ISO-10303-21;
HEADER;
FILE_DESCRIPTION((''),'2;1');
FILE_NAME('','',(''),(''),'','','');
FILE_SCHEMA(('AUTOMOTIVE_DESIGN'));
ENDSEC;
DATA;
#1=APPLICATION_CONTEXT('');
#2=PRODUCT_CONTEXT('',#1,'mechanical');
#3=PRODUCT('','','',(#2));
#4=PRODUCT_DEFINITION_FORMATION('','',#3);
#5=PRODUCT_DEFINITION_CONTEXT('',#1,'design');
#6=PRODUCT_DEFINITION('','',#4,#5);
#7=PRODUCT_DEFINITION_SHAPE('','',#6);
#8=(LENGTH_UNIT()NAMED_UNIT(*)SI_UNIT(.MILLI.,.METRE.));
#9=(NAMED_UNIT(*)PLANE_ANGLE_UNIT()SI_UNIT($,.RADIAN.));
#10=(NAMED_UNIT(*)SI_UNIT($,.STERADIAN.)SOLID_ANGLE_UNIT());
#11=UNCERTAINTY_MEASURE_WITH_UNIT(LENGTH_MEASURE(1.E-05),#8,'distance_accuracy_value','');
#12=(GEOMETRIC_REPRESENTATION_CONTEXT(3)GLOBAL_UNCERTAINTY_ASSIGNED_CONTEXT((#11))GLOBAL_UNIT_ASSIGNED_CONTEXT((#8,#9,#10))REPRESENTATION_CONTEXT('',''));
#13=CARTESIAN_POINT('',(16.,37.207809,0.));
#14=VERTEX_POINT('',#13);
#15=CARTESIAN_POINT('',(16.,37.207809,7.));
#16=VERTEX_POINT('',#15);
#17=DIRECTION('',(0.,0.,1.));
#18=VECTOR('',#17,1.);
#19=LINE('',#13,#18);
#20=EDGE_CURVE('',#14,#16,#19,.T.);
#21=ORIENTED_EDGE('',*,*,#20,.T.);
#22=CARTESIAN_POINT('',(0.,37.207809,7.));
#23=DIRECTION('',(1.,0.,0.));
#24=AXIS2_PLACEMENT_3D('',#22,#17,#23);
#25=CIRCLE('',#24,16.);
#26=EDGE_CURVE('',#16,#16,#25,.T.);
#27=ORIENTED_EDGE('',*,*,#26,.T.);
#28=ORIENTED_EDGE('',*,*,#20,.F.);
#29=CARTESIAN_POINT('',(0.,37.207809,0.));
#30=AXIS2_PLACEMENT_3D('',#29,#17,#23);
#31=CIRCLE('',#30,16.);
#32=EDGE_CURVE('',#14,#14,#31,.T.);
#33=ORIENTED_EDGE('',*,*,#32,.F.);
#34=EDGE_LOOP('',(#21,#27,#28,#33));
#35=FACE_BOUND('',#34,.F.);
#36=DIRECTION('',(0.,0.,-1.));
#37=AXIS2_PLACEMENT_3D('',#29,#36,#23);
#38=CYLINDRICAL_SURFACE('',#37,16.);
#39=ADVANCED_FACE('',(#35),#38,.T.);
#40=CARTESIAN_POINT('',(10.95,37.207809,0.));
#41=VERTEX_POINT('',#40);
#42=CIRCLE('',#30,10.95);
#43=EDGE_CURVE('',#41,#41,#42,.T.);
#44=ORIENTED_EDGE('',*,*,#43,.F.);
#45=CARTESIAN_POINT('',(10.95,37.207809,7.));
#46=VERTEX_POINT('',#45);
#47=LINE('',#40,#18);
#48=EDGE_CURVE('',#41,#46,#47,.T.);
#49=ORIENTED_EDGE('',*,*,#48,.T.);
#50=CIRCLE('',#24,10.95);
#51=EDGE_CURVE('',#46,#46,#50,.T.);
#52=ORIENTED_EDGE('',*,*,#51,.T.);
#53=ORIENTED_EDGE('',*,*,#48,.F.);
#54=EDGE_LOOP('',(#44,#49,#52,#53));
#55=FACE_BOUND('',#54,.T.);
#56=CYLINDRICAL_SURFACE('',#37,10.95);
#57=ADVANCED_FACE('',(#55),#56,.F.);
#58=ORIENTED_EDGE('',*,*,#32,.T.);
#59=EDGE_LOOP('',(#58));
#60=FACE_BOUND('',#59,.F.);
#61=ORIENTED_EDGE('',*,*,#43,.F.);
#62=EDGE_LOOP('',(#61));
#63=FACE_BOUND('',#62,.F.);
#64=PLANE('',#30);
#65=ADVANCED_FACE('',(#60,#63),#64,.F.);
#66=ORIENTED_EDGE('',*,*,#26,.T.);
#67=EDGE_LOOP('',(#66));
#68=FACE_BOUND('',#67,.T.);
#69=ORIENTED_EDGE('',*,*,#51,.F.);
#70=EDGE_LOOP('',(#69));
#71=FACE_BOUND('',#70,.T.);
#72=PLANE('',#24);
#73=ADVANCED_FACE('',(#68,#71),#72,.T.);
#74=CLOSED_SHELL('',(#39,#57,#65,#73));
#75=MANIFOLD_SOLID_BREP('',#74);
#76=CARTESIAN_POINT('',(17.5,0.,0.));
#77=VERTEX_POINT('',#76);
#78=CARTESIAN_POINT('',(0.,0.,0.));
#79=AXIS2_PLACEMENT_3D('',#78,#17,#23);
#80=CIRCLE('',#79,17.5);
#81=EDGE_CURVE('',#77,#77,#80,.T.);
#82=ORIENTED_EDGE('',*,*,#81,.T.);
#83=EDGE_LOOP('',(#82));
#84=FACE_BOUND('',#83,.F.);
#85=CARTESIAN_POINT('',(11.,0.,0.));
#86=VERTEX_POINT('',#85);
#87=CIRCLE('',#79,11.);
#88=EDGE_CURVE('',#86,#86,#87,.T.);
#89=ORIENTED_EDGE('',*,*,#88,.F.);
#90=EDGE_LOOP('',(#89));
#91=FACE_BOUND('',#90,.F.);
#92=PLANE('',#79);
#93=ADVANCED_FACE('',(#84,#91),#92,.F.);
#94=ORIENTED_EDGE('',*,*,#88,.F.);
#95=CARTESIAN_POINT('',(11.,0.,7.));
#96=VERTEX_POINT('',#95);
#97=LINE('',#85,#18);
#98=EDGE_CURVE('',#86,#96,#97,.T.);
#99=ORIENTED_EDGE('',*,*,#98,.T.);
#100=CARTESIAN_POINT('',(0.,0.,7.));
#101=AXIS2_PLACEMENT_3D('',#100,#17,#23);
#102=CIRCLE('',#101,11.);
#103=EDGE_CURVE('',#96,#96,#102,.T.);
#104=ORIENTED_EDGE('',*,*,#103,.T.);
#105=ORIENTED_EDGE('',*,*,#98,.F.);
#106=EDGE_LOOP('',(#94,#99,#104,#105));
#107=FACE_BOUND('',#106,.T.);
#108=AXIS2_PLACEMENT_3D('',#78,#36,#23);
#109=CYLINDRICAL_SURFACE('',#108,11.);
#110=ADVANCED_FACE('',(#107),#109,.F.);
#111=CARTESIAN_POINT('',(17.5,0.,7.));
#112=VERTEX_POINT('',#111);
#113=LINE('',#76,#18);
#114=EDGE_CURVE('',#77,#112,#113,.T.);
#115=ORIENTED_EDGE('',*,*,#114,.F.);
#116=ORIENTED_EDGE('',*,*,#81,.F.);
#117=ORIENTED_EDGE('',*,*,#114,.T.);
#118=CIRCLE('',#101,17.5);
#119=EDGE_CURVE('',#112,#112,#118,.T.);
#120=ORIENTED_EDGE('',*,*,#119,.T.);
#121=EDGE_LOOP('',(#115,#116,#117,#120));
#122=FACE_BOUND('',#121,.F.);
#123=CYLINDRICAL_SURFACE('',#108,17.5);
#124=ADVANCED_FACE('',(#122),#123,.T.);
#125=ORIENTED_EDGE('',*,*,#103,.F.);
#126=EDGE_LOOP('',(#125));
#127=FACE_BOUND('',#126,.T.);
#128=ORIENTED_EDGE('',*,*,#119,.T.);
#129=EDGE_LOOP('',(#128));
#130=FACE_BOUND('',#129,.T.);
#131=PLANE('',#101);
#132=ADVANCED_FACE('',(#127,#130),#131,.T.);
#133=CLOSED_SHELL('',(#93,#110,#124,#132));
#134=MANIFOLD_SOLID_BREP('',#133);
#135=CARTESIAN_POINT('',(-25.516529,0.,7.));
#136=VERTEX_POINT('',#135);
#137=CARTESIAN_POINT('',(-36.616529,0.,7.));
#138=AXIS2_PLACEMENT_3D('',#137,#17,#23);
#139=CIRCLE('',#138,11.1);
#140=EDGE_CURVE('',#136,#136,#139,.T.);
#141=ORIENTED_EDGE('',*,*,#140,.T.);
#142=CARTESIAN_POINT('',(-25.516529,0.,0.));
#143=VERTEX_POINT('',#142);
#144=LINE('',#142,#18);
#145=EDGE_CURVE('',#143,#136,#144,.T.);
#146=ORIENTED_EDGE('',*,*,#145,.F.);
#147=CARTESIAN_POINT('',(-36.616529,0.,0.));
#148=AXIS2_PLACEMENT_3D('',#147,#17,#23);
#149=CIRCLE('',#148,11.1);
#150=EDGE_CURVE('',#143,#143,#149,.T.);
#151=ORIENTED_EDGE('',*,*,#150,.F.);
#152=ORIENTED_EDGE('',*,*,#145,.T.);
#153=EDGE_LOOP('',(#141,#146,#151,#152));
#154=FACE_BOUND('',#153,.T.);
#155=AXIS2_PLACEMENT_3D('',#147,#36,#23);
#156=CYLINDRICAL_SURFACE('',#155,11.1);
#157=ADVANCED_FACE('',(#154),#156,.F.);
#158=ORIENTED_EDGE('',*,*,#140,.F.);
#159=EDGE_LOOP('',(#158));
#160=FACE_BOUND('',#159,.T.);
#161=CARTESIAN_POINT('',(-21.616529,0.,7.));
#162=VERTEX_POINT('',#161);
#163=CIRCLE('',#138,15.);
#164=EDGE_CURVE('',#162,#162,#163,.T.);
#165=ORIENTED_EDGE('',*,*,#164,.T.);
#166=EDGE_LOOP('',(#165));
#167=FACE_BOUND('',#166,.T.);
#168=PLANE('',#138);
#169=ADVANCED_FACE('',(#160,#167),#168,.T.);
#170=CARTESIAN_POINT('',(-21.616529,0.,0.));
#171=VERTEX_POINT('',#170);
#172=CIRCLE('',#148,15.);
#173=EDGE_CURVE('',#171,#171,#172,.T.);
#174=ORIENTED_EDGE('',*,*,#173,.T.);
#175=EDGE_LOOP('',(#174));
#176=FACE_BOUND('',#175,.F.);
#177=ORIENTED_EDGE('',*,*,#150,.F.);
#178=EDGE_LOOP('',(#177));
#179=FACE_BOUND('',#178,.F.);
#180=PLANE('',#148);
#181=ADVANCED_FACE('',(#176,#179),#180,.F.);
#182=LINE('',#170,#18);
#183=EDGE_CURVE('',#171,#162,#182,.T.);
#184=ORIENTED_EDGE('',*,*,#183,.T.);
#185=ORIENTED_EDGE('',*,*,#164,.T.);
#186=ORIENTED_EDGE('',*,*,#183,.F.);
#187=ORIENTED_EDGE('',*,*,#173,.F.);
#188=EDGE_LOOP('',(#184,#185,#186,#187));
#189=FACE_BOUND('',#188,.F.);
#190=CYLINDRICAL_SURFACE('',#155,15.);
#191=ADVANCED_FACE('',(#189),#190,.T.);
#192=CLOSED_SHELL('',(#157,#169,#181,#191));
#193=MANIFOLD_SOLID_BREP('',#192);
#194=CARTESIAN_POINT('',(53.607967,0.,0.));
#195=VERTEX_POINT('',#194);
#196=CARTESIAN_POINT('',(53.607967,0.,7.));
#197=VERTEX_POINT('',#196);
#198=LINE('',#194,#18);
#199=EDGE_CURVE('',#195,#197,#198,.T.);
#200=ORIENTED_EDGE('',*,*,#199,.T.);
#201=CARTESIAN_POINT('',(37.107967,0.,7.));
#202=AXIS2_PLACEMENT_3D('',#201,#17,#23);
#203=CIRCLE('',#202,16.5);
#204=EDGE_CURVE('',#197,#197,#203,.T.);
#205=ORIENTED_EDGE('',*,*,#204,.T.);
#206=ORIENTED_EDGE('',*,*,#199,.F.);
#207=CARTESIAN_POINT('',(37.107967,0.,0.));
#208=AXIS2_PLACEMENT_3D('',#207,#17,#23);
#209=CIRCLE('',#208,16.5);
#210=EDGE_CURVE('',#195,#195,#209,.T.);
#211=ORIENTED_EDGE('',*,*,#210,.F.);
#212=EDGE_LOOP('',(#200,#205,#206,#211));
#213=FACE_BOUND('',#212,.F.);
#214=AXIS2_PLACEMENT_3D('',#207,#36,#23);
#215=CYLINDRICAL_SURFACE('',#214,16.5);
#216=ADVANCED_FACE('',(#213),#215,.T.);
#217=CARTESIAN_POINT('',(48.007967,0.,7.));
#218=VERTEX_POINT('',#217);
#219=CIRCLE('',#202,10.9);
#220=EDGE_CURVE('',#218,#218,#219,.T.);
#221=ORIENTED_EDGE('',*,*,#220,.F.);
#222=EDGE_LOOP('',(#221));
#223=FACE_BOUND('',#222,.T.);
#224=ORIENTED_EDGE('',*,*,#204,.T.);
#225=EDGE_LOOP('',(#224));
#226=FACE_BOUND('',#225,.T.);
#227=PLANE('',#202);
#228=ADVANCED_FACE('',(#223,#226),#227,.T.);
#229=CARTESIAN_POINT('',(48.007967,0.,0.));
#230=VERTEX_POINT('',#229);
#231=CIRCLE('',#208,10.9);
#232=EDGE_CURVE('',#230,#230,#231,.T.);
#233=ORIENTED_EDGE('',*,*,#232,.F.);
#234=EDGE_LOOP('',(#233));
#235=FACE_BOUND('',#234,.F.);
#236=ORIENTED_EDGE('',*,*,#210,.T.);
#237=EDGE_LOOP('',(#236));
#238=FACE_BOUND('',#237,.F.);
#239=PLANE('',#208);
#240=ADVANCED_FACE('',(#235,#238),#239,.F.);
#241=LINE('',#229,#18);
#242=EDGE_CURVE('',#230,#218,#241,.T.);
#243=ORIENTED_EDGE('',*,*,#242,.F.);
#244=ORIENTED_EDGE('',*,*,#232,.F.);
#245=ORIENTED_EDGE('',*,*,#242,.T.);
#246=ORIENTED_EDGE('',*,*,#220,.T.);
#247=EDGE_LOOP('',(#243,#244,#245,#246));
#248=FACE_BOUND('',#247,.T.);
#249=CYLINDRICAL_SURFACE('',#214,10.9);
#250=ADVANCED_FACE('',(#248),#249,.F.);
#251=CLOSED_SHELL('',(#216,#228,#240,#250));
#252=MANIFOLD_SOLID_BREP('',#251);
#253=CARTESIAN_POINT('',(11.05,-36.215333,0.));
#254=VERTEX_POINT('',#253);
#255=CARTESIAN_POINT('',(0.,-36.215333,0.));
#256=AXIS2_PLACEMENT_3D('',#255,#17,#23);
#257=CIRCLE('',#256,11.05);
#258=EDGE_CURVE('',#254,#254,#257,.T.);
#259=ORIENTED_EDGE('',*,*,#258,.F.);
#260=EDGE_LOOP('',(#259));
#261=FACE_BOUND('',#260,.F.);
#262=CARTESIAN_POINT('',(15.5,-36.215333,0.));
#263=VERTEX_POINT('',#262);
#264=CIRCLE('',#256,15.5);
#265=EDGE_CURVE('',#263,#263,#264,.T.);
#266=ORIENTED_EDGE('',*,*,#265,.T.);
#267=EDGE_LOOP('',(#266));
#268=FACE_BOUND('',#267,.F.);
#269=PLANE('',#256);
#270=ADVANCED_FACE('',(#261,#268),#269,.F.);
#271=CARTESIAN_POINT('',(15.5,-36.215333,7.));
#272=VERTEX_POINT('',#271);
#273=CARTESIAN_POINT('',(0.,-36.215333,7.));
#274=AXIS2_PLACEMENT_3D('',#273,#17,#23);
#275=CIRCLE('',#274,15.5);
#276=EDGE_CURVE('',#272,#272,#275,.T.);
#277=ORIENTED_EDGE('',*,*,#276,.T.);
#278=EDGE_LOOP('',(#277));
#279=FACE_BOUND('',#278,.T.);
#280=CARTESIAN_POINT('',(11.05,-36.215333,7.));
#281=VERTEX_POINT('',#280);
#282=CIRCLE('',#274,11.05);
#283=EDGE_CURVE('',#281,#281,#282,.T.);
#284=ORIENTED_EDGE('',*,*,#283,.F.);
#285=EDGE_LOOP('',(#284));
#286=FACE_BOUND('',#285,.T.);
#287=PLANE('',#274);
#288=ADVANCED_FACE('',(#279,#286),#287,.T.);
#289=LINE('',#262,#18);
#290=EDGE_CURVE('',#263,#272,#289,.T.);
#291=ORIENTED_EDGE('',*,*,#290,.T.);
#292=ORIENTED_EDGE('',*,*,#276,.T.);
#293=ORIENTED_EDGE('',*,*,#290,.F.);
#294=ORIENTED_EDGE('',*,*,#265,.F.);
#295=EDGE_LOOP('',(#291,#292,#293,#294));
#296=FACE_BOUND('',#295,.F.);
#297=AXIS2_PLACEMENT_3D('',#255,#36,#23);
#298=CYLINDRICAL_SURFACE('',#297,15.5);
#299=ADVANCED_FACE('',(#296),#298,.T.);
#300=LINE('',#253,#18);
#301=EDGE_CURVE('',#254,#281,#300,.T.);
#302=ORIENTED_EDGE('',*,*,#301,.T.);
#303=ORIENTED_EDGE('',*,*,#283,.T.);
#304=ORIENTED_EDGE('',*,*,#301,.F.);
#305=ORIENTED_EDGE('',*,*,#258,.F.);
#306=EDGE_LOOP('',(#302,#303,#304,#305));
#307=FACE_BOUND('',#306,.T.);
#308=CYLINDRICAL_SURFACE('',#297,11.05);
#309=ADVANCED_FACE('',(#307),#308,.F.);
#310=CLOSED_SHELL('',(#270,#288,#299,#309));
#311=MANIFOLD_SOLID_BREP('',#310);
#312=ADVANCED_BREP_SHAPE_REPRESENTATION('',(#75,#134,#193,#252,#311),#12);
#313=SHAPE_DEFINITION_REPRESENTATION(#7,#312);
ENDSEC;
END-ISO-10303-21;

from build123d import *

# Parameters (mm, degrees)
F0_R     = 16
F0_R_2   = 10.95
F0_R_3   = 17.5
F0_R_4   = 11
F0_R_5   = 15
F0_R_6   = 11.1
F0_R_7   = 15.5
F0_R_8   = 11.05
F0_R_9   = 16.5
F0_R_10  = 10.9
F1_DEPTH = 7


with BuildPart() as f1:
    # F0 (on Top) → F1 (new body)
    with BuildSketch(Plane.XY):
        with Locations((0, 37.207809)):
            Circle(F0_R)
        with Locations((0, 37.207809)):
            Circle(F0_R_2, mode=Mode.SUBTRACT)
        Circle(F0_R_3)
        Circle(F0_R_4, mode=Mode.SUBTRACT)
        with Locations((-36.616529, 0)):
            Circle(F0_R_5)
        with Locations((-36.616529, 0)):
            Circle(F0_R_6, mode=Mode.SUBTRACT)
        with Locations((0, -36.215333)):
            Circle(F0_R_7)
        with Locations((0, -36.215333)):
            Circle(F0_R_8, mode=Mode.SUBTRACT)
        with Locations((37.107967, 0)):
            Circle(F0_R_9)
        with Locations((37.107967, 0)):
            Circle(F0_R_10, mode=Mode.SUBTRACT)
    extrude(amount=F1_DEPTH)


solid = f1.part
